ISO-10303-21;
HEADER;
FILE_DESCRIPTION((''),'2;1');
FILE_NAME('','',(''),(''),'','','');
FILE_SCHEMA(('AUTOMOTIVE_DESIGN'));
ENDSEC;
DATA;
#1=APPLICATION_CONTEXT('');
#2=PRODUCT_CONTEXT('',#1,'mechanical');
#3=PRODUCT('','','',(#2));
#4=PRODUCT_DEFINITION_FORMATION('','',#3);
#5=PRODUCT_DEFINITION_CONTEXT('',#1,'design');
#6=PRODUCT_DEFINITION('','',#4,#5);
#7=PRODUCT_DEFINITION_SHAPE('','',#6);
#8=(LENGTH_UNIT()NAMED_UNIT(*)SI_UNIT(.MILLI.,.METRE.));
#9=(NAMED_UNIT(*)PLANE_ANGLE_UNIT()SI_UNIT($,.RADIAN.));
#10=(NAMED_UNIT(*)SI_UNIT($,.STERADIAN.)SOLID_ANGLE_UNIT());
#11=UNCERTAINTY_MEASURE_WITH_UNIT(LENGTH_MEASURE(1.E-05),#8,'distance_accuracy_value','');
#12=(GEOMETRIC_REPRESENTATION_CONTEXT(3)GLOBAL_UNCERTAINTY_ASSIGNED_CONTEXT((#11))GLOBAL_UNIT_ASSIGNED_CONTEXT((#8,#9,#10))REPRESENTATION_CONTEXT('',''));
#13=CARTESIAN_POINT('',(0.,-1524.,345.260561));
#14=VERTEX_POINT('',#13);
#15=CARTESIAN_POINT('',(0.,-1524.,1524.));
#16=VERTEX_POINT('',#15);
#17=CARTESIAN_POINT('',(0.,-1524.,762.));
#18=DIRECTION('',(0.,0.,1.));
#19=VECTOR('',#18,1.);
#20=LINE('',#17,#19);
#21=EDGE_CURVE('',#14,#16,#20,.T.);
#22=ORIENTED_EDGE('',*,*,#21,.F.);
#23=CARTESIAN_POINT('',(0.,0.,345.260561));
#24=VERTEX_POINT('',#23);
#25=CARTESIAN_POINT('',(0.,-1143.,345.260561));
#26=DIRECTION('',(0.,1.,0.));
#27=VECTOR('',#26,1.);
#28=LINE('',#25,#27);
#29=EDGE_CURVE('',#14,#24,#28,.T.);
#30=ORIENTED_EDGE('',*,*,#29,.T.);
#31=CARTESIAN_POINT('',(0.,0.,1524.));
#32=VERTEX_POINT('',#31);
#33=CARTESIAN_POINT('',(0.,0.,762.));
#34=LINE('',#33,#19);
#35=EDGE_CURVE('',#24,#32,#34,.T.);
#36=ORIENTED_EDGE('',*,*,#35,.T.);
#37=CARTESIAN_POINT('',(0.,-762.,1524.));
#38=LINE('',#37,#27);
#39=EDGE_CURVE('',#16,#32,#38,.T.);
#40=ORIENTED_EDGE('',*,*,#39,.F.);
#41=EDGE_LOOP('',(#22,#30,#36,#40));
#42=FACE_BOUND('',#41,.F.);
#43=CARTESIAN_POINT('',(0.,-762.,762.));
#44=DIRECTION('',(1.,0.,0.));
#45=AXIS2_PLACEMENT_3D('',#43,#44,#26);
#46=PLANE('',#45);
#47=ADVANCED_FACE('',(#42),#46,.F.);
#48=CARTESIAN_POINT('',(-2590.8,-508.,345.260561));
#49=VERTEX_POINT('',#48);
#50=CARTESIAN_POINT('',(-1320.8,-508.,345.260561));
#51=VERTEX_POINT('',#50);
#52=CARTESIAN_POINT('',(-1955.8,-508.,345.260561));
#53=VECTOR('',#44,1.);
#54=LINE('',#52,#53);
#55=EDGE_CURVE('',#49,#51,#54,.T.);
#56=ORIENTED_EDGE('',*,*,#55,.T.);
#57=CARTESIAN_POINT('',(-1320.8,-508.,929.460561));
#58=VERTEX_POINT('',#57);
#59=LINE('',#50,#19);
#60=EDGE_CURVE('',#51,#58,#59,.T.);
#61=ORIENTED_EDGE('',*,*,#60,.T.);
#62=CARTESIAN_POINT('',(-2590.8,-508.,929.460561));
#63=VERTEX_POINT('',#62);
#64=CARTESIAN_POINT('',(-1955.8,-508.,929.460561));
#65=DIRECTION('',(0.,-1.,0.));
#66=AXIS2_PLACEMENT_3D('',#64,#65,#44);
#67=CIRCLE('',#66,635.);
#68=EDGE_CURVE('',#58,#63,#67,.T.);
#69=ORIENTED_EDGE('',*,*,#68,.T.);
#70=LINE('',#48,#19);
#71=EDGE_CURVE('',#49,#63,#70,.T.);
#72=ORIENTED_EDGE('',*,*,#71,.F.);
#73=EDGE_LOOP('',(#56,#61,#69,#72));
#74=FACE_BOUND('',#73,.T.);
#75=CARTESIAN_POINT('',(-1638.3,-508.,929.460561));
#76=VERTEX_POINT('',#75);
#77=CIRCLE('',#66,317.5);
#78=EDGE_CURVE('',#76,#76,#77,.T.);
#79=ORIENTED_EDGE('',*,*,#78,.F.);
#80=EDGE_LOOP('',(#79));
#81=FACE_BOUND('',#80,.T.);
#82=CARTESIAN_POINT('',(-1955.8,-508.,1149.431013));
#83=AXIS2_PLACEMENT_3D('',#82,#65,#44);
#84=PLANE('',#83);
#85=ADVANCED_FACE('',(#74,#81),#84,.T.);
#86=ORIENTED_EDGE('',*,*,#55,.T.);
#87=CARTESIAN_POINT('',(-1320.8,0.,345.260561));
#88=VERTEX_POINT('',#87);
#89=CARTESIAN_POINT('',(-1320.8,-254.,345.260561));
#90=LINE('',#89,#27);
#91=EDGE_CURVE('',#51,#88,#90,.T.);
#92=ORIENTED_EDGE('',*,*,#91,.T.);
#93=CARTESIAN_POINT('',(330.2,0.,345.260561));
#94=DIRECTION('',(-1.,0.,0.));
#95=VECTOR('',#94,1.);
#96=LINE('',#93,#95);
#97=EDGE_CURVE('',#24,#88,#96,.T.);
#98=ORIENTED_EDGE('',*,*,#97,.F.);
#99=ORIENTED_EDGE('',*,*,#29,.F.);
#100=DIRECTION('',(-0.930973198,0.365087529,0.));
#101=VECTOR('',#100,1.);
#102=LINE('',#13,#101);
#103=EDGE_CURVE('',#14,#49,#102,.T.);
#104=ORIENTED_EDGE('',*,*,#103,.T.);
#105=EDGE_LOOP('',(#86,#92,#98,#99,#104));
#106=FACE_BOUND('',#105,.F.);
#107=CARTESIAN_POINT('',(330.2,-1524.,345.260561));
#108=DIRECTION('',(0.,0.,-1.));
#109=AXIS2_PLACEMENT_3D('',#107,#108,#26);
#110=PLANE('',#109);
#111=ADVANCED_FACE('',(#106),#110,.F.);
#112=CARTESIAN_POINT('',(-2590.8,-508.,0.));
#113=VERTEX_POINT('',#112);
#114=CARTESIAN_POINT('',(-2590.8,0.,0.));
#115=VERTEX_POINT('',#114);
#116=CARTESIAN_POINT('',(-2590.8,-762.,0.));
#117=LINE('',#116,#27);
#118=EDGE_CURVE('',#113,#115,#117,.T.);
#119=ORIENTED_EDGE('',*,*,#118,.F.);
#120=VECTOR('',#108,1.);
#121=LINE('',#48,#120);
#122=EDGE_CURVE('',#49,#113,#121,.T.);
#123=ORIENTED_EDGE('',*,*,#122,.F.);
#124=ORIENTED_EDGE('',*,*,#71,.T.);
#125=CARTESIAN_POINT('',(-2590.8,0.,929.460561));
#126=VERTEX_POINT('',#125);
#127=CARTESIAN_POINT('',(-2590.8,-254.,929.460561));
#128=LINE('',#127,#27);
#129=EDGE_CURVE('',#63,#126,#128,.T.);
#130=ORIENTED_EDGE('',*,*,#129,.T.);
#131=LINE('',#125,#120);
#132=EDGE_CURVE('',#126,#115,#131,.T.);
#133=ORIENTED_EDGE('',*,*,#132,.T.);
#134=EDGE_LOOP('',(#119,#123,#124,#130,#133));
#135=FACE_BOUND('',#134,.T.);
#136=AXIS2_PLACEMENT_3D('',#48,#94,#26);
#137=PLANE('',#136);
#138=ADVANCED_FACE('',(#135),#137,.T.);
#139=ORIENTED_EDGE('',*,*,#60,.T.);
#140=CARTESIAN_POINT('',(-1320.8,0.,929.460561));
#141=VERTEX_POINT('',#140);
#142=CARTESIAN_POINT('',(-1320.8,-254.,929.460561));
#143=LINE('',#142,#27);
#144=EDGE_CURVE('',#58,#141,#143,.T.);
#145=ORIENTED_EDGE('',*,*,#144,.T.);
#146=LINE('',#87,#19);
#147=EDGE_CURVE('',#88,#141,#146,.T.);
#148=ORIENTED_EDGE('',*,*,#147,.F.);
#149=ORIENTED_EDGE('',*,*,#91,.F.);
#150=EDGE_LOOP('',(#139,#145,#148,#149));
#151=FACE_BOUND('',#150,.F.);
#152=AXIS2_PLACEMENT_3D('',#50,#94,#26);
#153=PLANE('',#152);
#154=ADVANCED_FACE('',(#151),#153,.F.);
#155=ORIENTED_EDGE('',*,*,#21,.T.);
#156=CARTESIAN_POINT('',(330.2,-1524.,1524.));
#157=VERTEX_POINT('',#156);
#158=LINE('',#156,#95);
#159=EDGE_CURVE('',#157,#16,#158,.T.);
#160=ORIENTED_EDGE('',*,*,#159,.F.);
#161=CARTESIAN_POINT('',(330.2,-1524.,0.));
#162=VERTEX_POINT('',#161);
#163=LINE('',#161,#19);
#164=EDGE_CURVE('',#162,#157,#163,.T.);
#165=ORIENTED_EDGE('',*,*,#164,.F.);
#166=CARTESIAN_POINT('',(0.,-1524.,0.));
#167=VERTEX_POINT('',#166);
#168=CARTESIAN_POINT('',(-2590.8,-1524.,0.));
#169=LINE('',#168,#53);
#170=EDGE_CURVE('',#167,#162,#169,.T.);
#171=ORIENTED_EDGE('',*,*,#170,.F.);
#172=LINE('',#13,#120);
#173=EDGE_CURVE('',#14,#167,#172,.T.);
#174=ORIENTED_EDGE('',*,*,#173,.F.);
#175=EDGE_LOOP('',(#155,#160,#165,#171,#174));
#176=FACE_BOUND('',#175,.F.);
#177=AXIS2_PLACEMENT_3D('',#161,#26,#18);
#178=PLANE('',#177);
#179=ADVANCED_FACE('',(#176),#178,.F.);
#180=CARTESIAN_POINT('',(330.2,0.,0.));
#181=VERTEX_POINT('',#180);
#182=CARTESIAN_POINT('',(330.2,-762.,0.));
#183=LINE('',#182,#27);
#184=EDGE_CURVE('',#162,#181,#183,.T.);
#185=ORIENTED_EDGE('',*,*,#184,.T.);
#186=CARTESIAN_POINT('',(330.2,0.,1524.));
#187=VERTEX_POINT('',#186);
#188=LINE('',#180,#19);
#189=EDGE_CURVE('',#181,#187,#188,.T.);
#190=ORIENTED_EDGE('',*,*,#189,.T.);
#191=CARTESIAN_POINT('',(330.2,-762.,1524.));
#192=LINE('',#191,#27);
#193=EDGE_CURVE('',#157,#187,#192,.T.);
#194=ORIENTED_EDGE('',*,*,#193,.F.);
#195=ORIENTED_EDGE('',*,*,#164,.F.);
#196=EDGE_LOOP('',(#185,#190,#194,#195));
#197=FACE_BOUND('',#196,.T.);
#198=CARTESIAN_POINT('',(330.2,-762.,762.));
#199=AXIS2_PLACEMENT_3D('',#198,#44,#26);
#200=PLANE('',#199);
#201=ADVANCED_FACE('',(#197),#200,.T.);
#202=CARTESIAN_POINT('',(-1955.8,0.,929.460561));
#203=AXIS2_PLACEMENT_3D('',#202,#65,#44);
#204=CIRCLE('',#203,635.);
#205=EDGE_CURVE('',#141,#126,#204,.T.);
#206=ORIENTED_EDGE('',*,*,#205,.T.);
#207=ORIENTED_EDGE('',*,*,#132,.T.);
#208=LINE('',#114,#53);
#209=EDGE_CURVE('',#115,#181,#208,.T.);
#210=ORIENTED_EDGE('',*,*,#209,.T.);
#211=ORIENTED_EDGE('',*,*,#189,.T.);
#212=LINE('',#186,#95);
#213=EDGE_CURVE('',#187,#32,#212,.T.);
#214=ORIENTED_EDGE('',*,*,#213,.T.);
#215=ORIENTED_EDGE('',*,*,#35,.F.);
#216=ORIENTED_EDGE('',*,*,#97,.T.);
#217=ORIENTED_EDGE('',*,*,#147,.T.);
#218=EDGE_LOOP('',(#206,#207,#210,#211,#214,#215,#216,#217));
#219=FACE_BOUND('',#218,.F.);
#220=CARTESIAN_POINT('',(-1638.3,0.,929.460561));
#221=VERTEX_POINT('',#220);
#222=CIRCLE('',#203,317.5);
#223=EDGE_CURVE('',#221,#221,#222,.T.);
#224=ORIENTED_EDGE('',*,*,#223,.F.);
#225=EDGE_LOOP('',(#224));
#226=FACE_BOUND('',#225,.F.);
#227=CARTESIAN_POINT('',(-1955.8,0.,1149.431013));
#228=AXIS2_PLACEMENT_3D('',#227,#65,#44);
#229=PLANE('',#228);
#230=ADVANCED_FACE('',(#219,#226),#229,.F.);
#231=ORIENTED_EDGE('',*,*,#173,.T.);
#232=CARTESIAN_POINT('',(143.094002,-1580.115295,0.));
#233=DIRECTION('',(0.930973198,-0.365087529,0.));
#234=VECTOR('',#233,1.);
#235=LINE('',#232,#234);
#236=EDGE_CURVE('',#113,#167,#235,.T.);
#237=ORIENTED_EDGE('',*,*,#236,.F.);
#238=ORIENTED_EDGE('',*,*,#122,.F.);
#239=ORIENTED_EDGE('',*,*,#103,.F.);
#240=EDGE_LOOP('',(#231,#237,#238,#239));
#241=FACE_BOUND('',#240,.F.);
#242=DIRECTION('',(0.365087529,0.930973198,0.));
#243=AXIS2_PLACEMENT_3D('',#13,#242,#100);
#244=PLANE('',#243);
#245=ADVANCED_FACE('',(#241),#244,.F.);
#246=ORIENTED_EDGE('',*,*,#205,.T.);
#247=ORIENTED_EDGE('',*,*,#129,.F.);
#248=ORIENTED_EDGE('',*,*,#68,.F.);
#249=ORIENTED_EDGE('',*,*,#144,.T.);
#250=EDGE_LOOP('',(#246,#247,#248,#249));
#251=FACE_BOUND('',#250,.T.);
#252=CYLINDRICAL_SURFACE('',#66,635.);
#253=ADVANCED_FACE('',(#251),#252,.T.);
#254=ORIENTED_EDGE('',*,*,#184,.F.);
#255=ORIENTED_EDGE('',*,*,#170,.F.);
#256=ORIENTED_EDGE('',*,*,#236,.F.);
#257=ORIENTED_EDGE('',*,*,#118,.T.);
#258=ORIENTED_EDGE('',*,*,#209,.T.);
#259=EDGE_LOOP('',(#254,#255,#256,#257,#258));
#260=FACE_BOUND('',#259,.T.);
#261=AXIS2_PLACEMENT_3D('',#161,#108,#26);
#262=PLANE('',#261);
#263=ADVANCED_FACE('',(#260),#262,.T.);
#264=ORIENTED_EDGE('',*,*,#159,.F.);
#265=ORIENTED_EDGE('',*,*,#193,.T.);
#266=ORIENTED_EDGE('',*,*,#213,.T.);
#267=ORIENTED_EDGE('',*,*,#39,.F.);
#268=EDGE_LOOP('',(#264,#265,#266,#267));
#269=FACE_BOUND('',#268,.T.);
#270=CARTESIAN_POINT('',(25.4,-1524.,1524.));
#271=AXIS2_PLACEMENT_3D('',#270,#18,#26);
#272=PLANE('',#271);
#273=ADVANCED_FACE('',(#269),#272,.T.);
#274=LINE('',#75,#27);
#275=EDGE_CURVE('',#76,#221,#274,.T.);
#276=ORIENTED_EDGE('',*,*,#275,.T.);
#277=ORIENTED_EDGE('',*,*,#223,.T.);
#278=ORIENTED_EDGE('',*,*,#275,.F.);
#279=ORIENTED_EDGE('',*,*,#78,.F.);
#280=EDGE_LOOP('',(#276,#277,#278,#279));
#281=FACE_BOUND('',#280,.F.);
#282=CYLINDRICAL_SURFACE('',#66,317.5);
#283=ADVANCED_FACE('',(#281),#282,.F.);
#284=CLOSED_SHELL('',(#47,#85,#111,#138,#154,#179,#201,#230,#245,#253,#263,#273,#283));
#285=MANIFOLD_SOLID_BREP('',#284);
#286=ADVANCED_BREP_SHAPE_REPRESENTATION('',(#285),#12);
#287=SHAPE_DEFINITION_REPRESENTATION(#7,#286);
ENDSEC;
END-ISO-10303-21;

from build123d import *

# Parameters (mm, degrees)
F0_W      = 1524
F0_H      = 1524
F1_DEPTH  = 25.4
F2_DEPTH  = 304.8
F3_W      = 1524
F3_H      = 345.2605605125
F4_DEPTH  = 2921
F5_W      = 1270
F5_H      = 508
F6_DEPTH  = 584.2
F8_DEPTH  = 508
F9_R      = 317.5
F10_DEPTH = 5212.08
F12_DEPTH = 508


with BuildPart() as f1:
    # F0 (on Right) → F1 (new body)
    with BuildSketch(Plane.YZ):
        with Locations((-762, 762)):
            Rectangle(F0_W, F0_H)
    extrude(amount=F1_DEPTH)

    # F2 (add): a face of the model
    f2_faces = [f1.faces().sort_by_distance(p)[0] for p in [
        (25.4, -762, 762),
    ]]
    extrude(f2_faces, amount=F2_DEPTH)

    # F3 (on face) → F4 (join)
    with BuildSketch(Plane.YZ.offset(330.2)):
        with Locations((-762, 172.6302802563)):
            Rectangle(F3_W, F3_H)
    extrude(amount=-F4_DEPTH)

    # F5 (on face) → F6 (join)
    with BuildSketch(Plane.XY.offset(345.2605605125)):
        with Locations((-1955.8, -254)):
            Rectangle(F5_W, F5_H)
    extrude(amount=F6_DEPTH)

    # F7 (on face) → F8 (join)
    with BuildSketch(Plane.XZ.offset(508)):
        with BuildLine():
            Line((-2590.8, 929.4605605125), (-1320.8, 929.4605605125))
            ThreePointArc((-1320.8, 929.4605605125), (-1955.8, 1564.4605605125), (-2590.8, 929.4605605125))
        make_face()
    extrude(amount=-F8_DEPTH)

    # F9 (on face) → F10 (cut)
    with BuildSketch(Plane.XZ.offset(508)):
        with Locations((-1955.8, 929.4605605125)):
            Circle(F9_R)
    extrude(amount=-F10_DEPTH, mode=Mode.SUBTRACT)

    # F11 (on face) → F12 (cut)
    with BuildSketch(Plane.XY.offset(345.2605605125)):
        Polygon((0, -1524), (-2590.8, -508), (-2590.8, -1524), align=None)
    extrude(amount=-F12_DEPTH, mode=Mode.SUBTRACT)


solid = f1.part
